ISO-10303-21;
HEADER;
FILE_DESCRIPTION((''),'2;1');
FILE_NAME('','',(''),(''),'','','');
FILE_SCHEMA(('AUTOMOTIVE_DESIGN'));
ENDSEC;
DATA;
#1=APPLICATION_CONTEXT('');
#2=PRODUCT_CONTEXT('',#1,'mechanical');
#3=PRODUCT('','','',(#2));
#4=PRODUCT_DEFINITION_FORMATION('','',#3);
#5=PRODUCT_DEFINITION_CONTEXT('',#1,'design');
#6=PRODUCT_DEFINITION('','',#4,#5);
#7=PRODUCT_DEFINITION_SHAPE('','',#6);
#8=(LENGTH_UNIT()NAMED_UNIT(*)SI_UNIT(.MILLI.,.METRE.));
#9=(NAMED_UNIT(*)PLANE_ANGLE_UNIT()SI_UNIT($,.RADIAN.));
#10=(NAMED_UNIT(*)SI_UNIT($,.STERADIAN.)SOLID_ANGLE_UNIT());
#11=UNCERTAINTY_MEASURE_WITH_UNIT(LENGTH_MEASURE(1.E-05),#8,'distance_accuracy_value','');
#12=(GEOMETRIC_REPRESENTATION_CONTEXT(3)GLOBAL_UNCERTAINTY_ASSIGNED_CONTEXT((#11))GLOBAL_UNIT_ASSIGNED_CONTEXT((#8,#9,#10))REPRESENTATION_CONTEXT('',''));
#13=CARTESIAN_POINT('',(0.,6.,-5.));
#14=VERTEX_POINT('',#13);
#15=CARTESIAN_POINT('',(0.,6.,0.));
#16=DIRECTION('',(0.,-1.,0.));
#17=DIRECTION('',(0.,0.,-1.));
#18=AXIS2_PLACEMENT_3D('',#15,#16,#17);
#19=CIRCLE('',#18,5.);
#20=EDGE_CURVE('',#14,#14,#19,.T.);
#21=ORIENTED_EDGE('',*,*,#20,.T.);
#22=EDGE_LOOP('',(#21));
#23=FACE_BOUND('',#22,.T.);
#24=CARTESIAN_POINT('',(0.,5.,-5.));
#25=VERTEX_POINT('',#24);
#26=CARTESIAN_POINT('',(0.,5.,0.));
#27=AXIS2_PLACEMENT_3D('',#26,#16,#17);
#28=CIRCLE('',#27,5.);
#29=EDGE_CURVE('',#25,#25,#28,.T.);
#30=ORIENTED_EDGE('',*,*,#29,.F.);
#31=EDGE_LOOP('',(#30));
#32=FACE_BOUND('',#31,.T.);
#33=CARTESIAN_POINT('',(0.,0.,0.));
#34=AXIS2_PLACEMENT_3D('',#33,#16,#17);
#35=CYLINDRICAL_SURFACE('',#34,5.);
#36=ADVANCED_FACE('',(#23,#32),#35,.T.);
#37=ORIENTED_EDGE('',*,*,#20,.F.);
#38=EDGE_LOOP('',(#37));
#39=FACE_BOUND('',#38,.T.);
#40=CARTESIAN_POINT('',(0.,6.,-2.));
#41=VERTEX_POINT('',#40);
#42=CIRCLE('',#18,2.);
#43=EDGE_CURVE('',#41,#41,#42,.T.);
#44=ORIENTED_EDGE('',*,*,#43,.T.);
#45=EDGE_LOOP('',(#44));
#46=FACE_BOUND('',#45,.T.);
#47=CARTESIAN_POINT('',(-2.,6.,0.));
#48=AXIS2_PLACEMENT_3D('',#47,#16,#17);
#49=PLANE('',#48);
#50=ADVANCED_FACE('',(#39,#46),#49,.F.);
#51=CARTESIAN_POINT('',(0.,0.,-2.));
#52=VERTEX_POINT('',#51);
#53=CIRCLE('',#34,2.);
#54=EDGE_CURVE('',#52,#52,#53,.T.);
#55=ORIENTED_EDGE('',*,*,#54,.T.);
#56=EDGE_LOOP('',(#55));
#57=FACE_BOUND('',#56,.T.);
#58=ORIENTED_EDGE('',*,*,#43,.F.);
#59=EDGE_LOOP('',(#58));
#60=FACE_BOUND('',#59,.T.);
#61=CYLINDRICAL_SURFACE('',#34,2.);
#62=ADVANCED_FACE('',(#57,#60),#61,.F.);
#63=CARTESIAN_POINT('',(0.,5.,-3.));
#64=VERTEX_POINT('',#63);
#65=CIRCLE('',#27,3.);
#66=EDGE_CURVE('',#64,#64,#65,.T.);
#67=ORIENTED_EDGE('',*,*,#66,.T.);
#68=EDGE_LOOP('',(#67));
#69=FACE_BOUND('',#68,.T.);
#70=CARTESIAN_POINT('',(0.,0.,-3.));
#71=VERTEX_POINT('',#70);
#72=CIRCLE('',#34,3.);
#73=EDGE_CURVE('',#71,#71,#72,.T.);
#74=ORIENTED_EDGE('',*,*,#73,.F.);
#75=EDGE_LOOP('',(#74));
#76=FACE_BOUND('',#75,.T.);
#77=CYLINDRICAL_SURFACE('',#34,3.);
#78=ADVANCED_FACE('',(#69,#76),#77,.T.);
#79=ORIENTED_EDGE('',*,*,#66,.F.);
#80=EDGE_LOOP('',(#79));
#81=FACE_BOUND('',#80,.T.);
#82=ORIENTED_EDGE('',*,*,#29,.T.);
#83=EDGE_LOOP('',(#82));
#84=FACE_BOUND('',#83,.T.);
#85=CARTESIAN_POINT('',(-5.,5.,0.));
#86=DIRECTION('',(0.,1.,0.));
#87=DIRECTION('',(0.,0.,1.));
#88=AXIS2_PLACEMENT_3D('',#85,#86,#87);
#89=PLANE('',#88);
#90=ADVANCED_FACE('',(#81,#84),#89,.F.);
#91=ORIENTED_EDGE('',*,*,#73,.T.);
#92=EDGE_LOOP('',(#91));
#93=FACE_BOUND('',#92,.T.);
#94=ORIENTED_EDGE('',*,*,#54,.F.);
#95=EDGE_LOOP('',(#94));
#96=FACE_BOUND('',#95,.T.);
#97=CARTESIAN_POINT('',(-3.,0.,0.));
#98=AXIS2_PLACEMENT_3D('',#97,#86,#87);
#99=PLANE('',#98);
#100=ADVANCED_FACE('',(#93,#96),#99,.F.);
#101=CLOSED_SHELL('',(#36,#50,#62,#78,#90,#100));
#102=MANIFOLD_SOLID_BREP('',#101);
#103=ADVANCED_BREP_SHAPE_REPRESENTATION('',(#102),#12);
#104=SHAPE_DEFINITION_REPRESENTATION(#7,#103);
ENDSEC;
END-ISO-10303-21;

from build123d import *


with BuildPart() as part:
    # Sketch2 → Revolve1 (revolve)
    with BuildSketch(Plane.XY, mode=Mode.PRIVATE) as revolve1_sk:
        Polygon((-2, 0), (-2, 6), (-5, 6), (-5, 5), (-3, 5), (-3, 0), align=None)
    revolve(revolve1_sk.sketch.rotate(Axis((0, 0, 0), (0, 1, 0)), 270), axis=Axis((0, 0, 0), (0, 1, 0)))


solid = part.part
